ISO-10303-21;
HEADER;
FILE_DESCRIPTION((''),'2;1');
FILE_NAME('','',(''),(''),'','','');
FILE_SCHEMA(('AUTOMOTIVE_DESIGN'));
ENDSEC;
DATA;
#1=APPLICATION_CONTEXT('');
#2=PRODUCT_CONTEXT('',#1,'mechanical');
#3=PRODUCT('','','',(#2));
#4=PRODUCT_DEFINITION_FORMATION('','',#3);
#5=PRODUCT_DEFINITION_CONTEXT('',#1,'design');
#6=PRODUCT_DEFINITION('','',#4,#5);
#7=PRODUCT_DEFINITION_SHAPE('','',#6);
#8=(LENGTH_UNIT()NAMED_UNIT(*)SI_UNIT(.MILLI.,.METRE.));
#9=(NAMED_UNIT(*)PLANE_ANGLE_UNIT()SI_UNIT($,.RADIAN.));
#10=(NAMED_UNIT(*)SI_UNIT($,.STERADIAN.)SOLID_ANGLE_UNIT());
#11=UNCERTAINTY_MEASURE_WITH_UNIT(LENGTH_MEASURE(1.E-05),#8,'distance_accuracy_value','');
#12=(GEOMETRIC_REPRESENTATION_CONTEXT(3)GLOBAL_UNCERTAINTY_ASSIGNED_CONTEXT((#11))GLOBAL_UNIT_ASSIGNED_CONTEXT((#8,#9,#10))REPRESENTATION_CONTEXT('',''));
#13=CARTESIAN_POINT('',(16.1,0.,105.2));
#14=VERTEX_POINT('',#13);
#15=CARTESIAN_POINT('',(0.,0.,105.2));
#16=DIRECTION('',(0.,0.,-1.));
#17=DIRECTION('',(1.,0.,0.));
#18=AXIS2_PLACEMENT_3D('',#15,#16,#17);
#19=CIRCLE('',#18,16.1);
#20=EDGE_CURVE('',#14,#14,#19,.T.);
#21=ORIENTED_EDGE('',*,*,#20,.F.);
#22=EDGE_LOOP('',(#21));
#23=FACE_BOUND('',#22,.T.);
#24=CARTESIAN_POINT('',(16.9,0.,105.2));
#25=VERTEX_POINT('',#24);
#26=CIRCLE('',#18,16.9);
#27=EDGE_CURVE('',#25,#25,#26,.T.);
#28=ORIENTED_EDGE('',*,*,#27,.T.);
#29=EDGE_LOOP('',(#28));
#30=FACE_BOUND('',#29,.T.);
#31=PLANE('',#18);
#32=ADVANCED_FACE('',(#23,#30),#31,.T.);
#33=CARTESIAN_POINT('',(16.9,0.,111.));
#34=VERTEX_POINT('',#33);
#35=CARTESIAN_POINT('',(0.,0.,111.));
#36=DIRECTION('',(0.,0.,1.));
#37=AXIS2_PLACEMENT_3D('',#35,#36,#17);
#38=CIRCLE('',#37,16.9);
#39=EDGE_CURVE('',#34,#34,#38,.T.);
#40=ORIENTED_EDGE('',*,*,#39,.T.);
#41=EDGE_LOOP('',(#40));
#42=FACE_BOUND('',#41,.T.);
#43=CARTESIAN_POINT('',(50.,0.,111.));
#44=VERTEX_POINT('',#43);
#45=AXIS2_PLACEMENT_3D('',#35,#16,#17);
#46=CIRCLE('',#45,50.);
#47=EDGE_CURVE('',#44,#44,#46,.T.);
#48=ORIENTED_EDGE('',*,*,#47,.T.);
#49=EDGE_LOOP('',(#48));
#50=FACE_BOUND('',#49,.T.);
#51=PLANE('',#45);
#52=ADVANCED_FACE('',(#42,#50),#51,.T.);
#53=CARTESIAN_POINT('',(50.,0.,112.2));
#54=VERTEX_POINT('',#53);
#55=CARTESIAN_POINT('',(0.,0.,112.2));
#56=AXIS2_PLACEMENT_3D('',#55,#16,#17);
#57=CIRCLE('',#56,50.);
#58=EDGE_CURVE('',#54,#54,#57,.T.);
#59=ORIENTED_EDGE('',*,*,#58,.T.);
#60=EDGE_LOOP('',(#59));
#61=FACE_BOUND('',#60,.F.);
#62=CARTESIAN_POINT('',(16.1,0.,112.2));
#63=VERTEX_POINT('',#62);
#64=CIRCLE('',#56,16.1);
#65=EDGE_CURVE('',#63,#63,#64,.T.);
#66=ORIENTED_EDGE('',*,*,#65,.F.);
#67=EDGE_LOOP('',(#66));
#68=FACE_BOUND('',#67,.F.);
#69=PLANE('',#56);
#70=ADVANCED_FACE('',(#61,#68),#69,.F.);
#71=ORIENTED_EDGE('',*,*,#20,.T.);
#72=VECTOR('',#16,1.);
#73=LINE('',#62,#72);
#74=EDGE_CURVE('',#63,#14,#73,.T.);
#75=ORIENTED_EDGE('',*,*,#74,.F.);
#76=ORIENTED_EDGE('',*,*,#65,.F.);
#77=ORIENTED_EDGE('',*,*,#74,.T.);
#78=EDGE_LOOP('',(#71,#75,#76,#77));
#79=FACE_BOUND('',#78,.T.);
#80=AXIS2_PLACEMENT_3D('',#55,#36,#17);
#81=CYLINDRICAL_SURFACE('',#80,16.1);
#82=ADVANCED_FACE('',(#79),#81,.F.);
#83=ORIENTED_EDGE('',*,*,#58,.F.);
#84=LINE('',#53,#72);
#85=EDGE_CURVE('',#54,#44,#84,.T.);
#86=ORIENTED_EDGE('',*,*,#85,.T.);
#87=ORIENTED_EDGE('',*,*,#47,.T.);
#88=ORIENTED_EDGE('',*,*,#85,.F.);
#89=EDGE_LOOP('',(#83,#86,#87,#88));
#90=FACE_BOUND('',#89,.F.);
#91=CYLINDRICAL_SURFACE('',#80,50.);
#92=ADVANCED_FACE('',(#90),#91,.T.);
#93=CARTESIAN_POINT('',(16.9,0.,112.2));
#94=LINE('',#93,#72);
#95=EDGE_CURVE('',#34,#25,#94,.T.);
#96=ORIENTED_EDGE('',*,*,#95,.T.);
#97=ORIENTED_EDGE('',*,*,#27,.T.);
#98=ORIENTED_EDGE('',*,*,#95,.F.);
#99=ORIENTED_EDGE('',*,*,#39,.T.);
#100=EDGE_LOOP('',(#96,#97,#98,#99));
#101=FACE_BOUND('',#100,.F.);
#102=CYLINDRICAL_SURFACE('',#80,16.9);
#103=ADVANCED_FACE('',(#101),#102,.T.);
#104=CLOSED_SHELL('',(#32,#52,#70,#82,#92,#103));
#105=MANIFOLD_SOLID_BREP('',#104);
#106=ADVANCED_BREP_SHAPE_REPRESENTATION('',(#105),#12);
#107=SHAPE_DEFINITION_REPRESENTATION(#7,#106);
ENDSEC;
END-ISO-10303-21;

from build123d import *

# Parameters (mm, degrees)
CYLINDER497_R          = 16.1
CYLINDER497_DEPTH      = 7
CYLINDER499_R          = 50
CYLINDER499_DEPTH      = 1.2
CYLINDER498_R          = 16.9
CYLINDER498_DEPTH      = 7
CUT238_PLACEMENT_ANGLE = 180


with BuildPart() as cylinder497:
    # Cylinder497 → Cylinder497 (new body)
    with BuildSketch(Plane.XY):
        Circle(CYLINDER497_R)
    extrude(amount=CYLINDER497_DEPTH)


with BuildPart() as cylinder499:
    # Cylinder499 → Cylinder499 (new body)
    with BuildSketch(Plane.XY):
        Circle(CYLINDER499_R)
    extrude(amount=CYLINDER499_DEPTH)


with BuildPart() as blades_top:
    # Cylinder498 → Cylinder498 (new body)
    with BuildSketch(Plane.XY):
        Circle(CYLINDER498_R)
    extrude(amount=CYLINDER498_DEPTH)

    # Fusion255: union Cylinder499
    add(cylinder499.part)

    # Cut238: cut Cylinder497
    add(cylinder497.part, mode=Mode.SUBTRACT)


with BuildPart() as blades_top_1:
    # Cut238 placement: moved
    add(blades_top.part.moved(Location((0, 0, 112.2))).rotate(Axis((0, 0, 112.2), (1, 0, 0)), CUT238_PLACEMENT_ANGLE))


solid = blades_top_1.part
